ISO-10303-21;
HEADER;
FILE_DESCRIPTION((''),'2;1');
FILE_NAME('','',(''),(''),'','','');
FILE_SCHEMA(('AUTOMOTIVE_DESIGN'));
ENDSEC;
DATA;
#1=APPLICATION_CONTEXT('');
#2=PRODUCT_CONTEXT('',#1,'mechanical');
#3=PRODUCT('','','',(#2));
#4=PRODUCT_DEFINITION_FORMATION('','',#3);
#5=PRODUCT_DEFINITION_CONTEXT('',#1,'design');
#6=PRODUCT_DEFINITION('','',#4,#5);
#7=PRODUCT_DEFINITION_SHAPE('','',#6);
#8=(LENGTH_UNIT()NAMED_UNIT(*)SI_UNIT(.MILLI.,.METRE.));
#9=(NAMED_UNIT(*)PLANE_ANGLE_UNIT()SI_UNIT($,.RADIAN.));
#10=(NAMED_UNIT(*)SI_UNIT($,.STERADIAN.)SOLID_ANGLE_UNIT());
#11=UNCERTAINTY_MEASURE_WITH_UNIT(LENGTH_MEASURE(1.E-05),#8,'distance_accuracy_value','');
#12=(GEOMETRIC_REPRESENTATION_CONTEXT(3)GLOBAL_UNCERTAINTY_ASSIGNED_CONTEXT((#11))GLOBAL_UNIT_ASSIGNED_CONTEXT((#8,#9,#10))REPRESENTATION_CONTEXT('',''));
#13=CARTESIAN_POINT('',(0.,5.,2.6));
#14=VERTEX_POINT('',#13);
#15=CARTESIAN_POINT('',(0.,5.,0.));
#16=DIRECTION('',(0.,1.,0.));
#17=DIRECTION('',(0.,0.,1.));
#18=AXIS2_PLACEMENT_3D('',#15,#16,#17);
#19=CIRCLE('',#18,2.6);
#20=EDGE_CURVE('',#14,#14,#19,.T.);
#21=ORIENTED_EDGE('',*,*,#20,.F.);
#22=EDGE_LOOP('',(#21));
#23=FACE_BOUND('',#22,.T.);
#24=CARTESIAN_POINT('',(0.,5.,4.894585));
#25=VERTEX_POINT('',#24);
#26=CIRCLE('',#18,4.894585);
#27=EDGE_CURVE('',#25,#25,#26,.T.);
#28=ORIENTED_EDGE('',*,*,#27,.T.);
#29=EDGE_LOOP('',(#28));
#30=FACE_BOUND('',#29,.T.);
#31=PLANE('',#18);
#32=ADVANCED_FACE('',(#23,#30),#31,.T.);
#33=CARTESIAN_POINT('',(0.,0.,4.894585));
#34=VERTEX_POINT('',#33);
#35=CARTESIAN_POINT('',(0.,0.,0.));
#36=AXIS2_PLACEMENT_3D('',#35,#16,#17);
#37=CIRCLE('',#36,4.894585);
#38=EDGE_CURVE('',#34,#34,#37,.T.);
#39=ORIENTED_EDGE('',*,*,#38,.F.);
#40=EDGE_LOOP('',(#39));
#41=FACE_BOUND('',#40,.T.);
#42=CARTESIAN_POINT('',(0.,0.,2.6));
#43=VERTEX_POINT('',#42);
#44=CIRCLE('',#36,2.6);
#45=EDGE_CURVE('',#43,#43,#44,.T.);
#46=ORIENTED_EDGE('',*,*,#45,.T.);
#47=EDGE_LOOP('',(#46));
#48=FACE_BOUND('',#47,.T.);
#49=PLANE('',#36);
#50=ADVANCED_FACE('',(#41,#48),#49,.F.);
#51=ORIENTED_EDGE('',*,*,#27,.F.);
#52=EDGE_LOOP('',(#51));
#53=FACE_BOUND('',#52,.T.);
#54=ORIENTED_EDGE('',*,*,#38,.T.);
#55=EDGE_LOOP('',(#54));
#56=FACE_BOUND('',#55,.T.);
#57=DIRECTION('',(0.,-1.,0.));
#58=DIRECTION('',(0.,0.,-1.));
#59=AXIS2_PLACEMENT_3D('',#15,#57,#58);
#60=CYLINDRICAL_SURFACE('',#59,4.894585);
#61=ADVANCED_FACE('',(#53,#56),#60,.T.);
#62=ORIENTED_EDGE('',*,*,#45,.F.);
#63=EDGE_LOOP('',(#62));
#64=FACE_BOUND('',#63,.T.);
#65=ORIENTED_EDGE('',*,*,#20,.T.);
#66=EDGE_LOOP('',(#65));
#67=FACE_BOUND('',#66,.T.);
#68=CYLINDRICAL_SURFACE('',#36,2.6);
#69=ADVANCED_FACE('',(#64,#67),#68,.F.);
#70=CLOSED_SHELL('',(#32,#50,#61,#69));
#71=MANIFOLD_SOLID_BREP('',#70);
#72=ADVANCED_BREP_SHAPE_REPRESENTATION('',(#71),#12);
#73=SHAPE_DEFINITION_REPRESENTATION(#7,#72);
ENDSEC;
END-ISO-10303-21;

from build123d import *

# Parameters (mm, degrees)
SKETCH1_R           = 4.894584923
BOSS_EXTRUDE1_DEPTH = 5
SKETCH2_R           = 2.6
CUT_EXTRUDE1_DEPTH  = 6


with BuildPart() as part:
    # Sketch1 → Boss-Extrude1 (new body)
    with BuildSketch(Plane(origin=(0, 0, 0), x_dir=(1, 0, 0), z_dir=(0, 1, 0))):
        Circle(SKETCH1_R)
    extrude(amount=BOSS_EXTRUDE1_DEPTH)

    # Sketch2 → Cut-Extrude1 (cut, through all)
    with BuildSketch(Plane(origin=(0, 5, 0), x_dir=(1, 0, 0), z_dir=(0, 1, 0))):
        Circle(SKETCH2_R)
    extrude(amount=-CUT_EXTRUDE1_DEPTH, mode=Mode.SUBTRACT)


solid = part.part
